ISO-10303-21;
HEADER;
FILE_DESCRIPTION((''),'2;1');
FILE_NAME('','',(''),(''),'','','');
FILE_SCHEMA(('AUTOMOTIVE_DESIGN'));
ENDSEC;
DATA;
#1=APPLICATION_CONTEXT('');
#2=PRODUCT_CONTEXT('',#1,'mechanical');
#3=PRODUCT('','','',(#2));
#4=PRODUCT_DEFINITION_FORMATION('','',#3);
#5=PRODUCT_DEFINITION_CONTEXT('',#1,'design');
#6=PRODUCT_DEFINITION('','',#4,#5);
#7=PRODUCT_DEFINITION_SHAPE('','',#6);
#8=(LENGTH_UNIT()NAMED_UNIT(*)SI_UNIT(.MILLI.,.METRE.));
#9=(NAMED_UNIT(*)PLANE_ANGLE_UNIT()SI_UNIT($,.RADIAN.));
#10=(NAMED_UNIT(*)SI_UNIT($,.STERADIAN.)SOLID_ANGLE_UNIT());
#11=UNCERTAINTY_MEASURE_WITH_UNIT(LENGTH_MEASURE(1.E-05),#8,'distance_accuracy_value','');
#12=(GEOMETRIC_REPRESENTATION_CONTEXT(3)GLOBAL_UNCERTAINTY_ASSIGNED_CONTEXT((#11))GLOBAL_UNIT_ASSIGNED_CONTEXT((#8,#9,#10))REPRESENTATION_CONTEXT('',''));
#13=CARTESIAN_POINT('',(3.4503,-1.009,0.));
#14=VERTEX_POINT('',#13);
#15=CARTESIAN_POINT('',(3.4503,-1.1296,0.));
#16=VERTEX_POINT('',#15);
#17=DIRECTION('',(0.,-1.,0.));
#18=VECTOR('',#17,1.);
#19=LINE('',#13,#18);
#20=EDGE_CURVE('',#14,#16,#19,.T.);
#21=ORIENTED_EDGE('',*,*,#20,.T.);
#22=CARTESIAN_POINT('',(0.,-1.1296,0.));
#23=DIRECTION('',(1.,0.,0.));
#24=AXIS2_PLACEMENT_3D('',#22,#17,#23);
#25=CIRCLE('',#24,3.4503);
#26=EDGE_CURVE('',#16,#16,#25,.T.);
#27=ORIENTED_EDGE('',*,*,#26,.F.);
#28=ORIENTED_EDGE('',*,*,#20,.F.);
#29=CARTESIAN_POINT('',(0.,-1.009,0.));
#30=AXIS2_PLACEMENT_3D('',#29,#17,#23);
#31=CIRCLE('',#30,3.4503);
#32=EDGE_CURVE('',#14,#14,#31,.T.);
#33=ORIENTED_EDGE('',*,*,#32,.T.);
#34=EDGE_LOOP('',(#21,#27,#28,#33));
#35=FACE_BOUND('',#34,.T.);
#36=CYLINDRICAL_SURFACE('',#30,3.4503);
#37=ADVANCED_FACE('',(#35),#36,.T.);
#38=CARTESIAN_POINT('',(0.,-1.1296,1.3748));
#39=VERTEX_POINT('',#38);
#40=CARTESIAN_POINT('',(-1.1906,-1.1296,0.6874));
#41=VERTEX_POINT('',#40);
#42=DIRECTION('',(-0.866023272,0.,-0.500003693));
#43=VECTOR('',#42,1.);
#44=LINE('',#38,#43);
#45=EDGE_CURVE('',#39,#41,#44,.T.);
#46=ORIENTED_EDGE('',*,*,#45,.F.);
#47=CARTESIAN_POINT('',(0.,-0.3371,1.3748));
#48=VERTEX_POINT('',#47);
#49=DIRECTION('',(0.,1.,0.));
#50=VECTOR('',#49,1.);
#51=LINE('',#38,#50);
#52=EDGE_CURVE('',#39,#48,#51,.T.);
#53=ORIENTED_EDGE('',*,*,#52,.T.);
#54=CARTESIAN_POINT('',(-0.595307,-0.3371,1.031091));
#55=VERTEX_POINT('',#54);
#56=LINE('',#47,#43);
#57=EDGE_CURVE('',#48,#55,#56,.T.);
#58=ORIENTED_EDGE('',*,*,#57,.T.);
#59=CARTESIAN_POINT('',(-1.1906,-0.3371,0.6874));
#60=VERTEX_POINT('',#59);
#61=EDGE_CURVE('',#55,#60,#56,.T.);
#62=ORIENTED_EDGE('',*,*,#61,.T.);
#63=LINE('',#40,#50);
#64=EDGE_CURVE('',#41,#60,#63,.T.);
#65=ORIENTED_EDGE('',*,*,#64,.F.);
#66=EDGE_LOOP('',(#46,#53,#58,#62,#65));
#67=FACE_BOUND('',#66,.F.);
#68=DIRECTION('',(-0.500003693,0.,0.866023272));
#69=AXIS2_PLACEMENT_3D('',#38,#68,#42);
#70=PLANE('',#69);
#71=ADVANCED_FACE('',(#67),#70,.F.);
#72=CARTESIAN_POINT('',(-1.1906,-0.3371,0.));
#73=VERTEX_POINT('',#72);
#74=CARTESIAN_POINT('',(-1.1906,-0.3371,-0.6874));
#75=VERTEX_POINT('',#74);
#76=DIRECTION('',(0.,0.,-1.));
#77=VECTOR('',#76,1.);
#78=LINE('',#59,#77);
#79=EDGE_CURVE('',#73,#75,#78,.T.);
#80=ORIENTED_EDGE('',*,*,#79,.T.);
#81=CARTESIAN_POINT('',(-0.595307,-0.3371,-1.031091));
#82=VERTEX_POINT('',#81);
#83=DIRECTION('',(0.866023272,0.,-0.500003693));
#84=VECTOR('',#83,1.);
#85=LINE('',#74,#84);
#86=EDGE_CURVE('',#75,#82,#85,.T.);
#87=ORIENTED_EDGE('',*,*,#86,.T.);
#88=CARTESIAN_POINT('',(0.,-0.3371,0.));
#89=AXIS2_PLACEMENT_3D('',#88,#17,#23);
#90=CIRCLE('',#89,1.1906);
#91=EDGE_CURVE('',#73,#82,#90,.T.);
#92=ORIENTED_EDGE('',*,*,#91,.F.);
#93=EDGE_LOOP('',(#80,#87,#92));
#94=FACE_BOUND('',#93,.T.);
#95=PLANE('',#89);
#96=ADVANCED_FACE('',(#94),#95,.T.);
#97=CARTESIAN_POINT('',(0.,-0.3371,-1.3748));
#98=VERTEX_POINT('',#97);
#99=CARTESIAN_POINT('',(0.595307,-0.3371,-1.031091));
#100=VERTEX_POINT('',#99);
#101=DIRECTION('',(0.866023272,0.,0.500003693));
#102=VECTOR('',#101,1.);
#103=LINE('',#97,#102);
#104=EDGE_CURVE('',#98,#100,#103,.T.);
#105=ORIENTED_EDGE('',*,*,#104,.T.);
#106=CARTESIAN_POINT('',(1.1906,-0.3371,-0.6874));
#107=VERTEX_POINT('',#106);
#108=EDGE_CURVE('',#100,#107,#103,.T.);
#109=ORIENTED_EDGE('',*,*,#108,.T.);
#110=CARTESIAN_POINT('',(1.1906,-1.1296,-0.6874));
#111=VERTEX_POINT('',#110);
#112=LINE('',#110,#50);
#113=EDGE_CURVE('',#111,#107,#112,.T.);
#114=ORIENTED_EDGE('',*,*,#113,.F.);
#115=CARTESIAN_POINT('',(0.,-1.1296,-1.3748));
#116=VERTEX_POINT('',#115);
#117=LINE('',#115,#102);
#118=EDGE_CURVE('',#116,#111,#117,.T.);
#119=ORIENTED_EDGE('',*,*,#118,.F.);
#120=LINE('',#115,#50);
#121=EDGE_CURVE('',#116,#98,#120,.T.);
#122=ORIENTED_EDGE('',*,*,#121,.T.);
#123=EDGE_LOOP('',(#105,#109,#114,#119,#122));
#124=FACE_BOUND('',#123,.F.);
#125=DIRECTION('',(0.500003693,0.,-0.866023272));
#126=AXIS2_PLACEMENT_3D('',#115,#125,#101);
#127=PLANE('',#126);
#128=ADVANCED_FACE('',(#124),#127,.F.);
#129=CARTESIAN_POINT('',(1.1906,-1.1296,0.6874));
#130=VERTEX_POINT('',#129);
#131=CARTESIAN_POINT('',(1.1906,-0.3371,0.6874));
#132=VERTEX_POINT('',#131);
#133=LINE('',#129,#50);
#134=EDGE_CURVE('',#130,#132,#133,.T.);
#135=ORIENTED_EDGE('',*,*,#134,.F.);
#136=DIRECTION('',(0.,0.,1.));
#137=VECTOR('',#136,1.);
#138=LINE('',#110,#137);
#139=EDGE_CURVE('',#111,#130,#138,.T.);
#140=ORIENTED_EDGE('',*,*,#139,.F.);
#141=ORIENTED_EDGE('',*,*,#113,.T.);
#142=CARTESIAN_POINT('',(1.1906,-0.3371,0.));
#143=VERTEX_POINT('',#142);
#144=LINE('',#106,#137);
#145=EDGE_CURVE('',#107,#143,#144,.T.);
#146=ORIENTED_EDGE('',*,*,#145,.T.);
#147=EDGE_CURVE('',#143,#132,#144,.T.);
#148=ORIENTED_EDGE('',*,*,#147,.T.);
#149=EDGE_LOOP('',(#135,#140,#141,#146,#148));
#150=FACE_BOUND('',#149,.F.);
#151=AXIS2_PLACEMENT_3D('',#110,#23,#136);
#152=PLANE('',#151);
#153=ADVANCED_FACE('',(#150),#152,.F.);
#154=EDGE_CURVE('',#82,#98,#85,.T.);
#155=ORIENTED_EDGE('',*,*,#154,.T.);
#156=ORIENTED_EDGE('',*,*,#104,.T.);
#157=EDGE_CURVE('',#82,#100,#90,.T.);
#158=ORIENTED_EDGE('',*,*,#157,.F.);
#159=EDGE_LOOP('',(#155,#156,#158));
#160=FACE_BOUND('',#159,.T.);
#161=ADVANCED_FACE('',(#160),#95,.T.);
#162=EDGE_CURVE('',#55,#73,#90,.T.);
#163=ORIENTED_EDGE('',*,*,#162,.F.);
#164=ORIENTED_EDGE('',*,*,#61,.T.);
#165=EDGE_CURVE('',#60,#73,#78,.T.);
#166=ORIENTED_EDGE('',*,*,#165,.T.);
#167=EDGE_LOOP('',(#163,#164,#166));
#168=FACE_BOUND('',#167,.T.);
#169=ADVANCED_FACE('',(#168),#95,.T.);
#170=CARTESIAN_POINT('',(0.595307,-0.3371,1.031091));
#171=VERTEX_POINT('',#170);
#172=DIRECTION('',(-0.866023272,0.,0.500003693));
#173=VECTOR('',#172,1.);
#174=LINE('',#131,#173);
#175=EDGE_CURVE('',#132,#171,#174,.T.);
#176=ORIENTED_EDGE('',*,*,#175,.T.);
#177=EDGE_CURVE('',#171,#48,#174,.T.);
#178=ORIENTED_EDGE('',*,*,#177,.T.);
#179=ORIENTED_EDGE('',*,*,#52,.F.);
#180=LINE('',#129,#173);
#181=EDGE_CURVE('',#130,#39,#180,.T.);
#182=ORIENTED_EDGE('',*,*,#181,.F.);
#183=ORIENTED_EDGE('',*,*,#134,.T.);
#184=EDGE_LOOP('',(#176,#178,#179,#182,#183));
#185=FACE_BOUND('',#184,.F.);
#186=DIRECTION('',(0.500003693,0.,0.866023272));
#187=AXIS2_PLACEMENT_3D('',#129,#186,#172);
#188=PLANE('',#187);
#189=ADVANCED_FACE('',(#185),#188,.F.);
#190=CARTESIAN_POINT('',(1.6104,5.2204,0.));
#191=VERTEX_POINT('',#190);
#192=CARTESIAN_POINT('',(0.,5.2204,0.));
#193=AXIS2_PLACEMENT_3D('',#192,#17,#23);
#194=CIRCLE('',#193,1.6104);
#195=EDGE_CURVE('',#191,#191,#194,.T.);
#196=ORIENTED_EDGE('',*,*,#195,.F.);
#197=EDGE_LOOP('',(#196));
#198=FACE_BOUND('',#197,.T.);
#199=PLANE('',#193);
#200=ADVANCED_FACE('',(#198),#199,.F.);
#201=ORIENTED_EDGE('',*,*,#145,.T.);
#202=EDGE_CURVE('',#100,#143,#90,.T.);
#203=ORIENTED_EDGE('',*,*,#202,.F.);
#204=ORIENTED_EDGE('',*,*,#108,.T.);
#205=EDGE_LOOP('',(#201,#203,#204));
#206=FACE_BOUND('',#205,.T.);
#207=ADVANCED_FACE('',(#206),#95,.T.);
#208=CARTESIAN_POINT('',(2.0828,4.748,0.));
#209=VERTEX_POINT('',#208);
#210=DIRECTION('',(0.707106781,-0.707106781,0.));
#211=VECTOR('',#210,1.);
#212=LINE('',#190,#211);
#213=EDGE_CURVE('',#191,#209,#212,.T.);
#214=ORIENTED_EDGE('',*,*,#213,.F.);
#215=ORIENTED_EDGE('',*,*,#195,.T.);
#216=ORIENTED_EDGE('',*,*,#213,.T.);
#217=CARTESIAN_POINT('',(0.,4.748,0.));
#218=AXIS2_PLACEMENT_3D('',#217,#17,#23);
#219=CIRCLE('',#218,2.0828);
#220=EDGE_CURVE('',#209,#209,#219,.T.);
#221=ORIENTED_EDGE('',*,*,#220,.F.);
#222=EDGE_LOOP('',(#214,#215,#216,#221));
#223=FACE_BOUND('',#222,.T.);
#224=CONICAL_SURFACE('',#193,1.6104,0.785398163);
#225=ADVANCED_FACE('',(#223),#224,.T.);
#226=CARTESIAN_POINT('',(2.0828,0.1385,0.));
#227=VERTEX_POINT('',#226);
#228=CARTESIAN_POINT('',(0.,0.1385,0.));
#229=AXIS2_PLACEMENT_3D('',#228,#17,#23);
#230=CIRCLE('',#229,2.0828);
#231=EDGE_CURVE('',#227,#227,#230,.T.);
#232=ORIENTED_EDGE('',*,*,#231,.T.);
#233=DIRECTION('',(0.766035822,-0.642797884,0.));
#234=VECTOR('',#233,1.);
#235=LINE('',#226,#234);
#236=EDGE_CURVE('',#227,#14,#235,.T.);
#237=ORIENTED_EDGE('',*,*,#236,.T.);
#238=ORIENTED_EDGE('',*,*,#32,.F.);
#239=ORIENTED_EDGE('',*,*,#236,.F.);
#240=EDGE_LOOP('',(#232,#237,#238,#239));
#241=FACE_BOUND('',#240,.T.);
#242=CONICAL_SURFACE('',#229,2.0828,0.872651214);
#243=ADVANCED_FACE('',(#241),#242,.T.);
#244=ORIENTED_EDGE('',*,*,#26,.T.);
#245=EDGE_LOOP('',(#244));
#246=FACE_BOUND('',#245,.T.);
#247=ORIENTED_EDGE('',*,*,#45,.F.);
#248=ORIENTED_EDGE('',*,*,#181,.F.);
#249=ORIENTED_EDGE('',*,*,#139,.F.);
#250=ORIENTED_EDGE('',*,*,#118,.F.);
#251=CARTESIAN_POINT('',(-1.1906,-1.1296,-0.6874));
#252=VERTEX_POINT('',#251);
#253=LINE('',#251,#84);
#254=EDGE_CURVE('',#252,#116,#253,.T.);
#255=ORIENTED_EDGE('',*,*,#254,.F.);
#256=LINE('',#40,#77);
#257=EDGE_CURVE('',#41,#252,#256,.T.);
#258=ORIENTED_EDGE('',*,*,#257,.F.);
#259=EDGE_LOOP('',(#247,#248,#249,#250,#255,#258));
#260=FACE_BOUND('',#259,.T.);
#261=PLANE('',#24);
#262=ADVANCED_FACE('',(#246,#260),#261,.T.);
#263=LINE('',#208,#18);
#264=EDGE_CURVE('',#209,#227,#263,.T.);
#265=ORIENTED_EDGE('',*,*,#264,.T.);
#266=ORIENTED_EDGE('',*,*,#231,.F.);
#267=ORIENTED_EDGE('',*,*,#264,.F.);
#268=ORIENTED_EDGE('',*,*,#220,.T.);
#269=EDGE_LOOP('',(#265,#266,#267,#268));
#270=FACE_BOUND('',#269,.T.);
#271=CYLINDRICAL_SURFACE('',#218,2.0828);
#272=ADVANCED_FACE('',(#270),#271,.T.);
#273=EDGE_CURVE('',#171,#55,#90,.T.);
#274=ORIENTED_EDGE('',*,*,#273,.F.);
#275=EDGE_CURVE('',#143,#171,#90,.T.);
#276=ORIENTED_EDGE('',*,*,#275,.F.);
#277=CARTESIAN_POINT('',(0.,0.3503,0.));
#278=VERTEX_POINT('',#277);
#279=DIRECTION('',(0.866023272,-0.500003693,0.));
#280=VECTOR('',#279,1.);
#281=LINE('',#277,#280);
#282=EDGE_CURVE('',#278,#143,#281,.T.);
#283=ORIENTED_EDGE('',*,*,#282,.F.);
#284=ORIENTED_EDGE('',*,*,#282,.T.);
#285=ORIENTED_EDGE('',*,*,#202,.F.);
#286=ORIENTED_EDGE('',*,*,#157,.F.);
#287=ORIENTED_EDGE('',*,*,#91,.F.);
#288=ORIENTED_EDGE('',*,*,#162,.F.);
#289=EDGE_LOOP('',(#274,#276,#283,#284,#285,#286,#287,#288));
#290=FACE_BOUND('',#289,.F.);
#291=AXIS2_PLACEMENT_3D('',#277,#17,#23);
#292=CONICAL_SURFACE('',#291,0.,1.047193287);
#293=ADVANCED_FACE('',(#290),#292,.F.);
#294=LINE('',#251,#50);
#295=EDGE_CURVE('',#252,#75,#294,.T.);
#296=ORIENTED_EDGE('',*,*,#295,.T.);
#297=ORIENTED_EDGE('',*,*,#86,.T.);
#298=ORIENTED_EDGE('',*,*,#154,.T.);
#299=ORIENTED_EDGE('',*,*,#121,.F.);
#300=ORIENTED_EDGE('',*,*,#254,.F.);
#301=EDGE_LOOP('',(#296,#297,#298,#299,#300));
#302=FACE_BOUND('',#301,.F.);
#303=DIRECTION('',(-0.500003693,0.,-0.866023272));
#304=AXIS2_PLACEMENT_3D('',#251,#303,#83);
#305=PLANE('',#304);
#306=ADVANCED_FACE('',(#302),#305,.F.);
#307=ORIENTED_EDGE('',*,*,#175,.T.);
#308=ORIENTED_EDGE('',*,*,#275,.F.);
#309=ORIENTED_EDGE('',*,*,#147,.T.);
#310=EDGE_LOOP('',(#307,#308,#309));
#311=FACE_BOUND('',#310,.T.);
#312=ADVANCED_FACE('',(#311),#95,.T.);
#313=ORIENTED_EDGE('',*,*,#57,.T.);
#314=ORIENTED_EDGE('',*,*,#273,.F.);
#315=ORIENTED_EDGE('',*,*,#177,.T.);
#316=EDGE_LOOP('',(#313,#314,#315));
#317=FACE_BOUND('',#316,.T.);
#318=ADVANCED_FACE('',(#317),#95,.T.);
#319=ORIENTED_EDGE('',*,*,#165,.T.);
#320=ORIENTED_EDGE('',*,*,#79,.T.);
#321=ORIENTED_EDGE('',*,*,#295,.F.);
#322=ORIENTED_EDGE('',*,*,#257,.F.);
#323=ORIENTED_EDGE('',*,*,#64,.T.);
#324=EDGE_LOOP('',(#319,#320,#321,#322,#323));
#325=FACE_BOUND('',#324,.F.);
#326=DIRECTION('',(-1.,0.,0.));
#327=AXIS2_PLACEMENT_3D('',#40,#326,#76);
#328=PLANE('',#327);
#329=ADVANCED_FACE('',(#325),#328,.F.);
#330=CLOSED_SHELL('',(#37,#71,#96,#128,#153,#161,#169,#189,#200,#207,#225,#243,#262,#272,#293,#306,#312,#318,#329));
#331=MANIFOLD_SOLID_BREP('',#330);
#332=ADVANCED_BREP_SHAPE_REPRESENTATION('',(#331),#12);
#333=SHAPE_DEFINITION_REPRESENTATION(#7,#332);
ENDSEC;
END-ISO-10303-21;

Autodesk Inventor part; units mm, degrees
sketch "Sketch_1" plane through (0, 0, 0) normal (0, 0, 1) x (1, 0, 0)
  line L0 (0, -1.1296) -> (0, 5.2204)
  line L1 (0, 5.2204) -> (1.6104, 5.2204)
  line L2 (1.6104, 5.2204) -> (2.0828, 4.748)
  line L3 (2.0828, 4.748) -> (2.0828, 0.1385)
  line L4 (2.0828, 0.1385) -> (3.4503, -1.009)
  line L5 (3.4503, -1.009) -> (3.4503, -1.1296)
  line L6 (3.4503, -1.1296) -> (0, -1.1296)
  line L7 (0, -1.1296) -> (0, 5.2204)
revolve "Revolution1" add sketch "Sketch_1" angle 360 about axis through (0, -1.1296, 0) along (0, -1, 0)
thread "Thread1" size "8-32 UNC" class "2A" standard "ANSI Unified Screw Threads" length 3.7911
sketch "Sketch_2" plane through (0, -1.1296, 0) normal (0, -1, 0) x (1, 0, 0)
  line L0 (-1.1906, -0.6874) -> (0, -1.3748)
  line L1 (0, -1.3748) -> (1.1906, -0.6874)
  line L2 (1.1906, -0.6874) -> (1.1906, 0.6874)
  line L3 (1.1906, 0.6874) -> (0, 1.3748)
  line L4 (0, 1.3748) -> (-1.1906, 0.6874)
  line L5 (-1.1906, 0.6874) -> (-1.1906, -0.6874)
extrude "Extrusion1" cut sketch "Sketch_2" against normal blind 0.7925
sketch "Sketch_3" plane through (0, 0, 0) normal (0, 0, 1) x (1, 0, 0)
  line L0 (0, -0.3371) -> (0, 0.3503)
  line L1 (0, 0.3503) -> (1.1906, -0.3371)
  line L2 (1.1906, -0.3371) -> (0, -0.3371)
  line L3 (0, -0.3371) -> (0, 0.3503)
revolve "Revolution2" cut sketch "Sketch_3" angle 360 about axis through (0, -0.3371, 0) along (0, -1, 0)
ref_plane "screw_XY" through (0, 0, 0) normal (0, 1, 0) x (1, 0, 0)
ref_plane "screw_YZ" through (0, 0, 0) normal (1, 0, 0) x (0, 0, -1)
ref_plane "screw_ZX" through (0, 0, 0) normal (0, 0, -1) x (0, 1, 0)
properties part number "8-32_1"
